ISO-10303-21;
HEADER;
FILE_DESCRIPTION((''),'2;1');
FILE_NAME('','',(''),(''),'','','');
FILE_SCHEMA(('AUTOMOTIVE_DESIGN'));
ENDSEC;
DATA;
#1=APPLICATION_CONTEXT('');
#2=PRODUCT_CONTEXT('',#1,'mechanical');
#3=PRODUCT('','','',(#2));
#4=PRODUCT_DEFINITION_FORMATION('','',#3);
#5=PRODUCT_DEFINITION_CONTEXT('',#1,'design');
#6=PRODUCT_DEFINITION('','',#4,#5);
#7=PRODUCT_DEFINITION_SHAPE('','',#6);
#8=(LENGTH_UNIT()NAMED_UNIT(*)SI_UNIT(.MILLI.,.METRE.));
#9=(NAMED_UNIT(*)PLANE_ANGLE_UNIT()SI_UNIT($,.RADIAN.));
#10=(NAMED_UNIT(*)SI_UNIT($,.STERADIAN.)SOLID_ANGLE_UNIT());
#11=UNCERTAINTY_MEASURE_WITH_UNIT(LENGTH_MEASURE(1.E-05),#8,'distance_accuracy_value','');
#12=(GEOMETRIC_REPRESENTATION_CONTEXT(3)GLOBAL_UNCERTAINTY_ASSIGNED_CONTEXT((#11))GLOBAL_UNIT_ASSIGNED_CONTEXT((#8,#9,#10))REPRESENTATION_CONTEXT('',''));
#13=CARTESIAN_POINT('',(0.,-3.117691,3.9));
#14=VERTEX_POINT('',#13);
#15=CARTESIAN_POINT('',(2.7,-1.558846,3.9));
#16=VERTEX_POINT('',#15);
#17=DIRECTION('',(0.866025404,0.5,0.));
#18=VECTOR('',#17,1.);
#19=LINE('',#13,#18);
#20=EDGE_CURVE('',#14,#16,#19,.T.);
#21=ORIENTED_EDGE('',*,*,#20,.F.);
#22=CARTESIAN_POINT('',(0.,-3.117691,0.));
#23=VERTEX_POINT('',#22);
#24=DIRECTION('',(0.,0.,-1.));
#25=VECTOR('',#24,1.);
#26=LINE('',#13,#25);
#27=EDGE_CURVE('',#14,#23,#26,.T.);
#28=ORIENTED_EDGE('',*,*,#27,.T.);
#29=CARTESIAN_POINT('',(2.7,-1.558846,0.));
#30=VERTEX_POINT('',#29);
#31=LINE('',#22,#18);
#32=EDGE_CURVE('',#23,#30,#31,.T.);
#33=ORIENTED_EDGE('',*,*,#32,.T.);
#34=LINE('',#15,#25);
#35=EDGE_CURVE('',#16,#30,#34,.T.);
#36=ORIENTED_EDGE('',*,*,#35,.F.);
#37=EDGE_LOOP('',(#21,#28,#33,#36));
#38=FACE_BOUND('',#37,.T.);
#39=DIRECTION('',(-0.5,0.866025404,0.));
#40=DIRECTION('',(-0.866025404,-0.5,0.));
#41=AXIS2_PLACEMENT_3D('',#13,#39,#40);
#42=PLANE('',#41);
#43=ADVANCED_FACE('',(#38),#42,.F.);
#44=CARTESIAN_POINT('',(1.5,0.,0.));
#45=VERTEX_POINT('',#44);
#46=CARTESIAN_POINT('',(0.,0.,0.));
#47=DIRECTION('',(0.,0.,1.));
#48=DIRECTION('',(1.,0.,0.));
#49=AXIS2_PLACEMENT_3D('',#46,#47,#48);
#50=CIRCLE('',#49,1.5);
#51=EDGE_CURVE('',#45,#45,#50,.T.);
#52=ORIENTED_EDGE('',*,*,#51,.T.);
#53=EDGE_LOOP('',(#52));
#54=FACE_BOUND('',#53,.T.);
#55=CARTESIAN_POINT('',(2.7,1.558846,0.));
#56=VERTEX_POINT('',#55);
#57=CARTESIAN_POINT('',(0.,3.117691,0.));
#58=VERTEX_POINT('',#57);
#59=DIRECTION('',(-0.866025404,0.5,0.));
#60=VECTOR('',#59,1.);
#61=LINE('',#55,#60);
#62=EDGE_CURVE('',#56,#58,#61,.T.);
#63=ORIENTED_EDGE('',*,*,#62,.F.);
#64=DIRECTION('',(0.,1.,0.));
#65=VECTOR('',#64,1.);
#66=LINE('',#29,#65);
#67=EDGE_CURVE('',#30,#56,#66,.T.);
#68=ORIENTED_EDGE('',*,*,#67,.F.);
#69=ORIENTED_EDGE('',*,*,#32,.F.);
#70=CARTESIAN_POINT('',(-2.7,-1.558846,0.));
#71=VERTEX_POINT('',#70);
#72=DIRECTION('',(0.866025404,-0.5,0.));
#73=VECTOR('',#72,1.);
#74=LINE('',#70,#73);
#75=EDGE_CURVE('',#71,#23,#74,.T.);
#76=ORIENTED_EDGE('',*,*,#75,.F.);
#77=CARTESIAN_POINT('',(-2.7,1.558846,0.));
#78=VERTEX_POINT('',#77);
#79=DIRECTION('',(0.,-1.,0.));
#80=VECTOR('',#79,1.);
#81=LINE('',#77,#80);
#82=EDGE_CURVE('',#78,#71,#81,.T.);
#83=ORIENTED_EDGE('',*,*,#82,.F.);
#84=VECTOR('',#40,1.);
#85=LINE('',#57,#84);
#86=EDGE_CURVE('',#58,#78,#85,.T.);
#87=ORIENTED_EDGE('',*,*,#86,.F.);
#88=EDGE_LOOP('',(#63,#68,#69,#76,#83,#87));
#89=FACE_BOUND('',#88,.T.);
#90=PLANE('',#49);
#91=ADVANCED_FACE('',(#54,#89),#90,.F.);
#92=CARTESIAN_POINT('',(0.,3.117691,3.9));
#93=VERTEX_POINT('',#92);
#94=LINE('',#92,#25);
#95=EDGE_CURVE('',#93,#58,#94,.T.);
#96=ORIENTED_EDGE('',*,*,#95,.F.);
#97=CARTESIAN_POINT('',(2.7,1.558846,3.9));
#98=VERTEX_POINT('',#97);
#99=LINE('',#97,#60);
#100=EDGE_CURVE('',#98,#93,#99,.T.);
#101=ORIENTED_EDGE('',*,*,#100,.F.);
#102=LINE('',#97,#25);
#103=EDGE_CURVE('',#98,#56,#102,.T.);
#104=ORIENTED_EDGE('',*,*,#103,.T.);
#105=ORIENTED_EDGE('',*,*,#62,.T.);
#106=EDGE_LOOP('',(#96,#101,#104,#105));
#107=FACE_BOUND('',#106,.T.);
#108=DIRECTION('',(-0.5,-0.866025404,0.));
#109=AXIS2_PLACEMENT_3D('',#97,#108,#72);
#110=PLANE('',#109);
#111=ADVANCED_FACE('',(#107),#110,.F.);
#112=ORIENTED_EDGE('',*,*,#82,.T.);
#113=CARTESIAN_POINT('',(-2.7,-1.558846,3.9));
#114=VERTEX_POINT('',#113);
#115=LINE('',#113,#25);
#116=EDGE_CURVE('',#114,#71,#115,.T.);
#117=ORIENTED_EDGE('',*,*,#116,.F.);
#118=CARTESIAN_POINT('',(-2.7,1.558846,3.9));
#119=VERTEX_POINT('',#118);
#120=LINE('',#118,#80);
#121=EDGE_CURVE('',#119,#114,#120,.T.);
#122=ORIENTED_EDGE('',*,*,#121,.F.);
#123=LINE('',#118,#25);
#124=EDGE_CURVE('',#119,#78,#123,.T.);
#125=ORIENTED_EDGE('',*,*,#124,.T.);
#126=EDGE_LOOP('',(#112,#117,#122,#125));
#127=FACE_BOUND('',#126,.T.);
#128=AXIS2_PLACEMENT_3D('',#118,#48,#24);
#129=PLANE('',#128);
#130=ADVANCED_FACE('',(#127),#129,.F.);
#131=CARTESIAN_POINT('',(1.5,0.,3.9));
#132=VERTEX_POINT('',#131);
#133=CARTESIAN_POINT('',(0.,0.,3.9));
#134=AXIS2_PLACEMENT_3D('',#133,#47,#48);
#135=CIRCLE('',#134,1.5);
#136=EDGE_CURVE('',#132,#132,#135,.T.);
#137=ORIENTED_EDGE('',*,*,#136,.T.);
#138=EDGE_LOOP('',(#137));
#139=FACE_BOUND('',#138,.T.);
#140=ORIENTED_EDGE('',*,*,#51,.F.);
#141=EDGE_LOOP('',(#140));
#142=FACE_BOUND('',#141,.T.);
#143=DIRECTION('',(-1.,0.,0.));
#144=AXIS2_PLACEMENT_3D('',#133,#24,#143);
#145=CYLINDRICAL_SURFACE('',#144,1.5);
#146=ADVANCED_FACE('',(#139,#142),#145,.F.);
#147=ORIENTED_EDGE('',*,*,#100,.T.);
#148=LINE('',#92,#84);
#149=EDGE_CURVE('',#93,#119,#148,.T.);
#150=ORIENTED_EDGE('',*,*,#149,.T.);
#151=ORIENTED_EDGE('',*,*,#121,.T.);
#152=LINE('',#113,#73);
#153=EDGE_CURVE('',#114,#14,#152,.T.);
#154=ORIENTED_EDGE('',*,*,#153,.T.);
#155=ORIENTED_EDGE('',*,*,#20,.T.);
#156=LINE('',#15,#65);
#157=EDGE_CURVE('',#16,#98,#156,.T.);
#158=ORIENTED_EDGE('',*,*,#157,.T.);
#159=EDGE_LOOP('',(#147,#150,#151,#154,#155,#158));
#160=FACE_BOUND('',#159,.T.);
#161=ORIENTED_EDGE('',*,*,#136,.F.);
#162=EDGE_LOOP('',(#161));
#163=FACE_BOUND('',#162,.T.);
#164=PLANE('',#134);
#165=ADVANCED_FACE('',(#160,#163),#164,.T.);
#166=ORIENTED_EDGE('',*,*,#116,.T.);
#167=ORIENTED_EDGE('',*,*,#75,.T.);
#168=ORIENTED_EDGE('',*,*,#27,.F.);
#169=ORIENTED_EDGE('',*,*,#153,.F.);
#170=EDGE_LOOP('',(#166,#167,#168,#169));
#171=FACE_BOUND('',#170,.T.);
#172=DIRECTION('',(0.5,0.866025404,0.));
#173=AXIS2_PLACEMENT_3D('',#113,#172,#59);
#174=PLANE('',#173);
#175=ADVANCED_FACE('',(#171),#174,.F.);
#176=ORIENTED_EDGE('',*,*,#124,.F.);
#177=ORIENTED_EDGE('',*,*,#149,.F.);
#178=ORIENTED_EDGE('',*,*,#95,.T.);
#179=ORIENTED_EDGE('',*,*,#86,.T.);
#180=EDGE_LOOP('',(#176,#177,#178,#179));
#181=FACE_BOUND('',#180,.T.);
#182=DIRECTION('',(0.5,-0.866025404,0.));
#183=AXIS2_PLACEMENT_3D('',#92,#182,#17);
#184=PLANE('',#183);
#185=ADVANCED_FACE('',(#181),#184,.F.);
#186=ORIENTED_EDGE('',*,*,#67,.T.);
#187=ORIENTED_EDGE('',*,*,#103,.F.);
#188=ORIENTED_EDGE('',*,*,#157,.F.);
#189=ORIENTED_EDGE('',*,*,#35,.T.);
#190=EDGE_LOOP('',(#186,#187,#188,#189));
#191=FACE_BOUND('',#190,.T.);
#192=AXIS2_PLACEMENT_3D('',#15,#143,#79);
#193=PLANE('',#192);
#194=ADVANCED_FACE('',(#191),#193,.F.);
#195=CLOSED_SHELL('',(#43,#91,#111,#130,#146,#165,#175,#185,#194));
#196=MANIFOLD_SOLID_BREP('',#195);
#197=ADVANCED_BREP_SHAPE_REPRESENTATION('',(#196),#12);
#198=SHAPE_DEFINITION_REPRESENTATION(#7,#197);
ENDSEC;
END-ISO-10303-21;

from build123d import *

# Parameters (mm, degrees)
SKETCH1_R           = 1.5
BOSS_EXTRUDE1_DEPTH = 3.9


with BuildPart() as part:
    # Sketch1 → Boss-Extrude1 (new body)
    with BuildSketch(Plane.XY):
        Polygon((0, 3.117691454), (-2.7, 1.558845727), (-2.7, -1.558845727), (0, -3.117691454), (2.7, -1.558845727), (2.7, 1.558845727), align=None)
        Circle(SKETCH1_R, mode=Mode.SUBTRACT)
    extrude(amount=BOSS_EXTRUDE1_DEPTH)


solid = part.part
